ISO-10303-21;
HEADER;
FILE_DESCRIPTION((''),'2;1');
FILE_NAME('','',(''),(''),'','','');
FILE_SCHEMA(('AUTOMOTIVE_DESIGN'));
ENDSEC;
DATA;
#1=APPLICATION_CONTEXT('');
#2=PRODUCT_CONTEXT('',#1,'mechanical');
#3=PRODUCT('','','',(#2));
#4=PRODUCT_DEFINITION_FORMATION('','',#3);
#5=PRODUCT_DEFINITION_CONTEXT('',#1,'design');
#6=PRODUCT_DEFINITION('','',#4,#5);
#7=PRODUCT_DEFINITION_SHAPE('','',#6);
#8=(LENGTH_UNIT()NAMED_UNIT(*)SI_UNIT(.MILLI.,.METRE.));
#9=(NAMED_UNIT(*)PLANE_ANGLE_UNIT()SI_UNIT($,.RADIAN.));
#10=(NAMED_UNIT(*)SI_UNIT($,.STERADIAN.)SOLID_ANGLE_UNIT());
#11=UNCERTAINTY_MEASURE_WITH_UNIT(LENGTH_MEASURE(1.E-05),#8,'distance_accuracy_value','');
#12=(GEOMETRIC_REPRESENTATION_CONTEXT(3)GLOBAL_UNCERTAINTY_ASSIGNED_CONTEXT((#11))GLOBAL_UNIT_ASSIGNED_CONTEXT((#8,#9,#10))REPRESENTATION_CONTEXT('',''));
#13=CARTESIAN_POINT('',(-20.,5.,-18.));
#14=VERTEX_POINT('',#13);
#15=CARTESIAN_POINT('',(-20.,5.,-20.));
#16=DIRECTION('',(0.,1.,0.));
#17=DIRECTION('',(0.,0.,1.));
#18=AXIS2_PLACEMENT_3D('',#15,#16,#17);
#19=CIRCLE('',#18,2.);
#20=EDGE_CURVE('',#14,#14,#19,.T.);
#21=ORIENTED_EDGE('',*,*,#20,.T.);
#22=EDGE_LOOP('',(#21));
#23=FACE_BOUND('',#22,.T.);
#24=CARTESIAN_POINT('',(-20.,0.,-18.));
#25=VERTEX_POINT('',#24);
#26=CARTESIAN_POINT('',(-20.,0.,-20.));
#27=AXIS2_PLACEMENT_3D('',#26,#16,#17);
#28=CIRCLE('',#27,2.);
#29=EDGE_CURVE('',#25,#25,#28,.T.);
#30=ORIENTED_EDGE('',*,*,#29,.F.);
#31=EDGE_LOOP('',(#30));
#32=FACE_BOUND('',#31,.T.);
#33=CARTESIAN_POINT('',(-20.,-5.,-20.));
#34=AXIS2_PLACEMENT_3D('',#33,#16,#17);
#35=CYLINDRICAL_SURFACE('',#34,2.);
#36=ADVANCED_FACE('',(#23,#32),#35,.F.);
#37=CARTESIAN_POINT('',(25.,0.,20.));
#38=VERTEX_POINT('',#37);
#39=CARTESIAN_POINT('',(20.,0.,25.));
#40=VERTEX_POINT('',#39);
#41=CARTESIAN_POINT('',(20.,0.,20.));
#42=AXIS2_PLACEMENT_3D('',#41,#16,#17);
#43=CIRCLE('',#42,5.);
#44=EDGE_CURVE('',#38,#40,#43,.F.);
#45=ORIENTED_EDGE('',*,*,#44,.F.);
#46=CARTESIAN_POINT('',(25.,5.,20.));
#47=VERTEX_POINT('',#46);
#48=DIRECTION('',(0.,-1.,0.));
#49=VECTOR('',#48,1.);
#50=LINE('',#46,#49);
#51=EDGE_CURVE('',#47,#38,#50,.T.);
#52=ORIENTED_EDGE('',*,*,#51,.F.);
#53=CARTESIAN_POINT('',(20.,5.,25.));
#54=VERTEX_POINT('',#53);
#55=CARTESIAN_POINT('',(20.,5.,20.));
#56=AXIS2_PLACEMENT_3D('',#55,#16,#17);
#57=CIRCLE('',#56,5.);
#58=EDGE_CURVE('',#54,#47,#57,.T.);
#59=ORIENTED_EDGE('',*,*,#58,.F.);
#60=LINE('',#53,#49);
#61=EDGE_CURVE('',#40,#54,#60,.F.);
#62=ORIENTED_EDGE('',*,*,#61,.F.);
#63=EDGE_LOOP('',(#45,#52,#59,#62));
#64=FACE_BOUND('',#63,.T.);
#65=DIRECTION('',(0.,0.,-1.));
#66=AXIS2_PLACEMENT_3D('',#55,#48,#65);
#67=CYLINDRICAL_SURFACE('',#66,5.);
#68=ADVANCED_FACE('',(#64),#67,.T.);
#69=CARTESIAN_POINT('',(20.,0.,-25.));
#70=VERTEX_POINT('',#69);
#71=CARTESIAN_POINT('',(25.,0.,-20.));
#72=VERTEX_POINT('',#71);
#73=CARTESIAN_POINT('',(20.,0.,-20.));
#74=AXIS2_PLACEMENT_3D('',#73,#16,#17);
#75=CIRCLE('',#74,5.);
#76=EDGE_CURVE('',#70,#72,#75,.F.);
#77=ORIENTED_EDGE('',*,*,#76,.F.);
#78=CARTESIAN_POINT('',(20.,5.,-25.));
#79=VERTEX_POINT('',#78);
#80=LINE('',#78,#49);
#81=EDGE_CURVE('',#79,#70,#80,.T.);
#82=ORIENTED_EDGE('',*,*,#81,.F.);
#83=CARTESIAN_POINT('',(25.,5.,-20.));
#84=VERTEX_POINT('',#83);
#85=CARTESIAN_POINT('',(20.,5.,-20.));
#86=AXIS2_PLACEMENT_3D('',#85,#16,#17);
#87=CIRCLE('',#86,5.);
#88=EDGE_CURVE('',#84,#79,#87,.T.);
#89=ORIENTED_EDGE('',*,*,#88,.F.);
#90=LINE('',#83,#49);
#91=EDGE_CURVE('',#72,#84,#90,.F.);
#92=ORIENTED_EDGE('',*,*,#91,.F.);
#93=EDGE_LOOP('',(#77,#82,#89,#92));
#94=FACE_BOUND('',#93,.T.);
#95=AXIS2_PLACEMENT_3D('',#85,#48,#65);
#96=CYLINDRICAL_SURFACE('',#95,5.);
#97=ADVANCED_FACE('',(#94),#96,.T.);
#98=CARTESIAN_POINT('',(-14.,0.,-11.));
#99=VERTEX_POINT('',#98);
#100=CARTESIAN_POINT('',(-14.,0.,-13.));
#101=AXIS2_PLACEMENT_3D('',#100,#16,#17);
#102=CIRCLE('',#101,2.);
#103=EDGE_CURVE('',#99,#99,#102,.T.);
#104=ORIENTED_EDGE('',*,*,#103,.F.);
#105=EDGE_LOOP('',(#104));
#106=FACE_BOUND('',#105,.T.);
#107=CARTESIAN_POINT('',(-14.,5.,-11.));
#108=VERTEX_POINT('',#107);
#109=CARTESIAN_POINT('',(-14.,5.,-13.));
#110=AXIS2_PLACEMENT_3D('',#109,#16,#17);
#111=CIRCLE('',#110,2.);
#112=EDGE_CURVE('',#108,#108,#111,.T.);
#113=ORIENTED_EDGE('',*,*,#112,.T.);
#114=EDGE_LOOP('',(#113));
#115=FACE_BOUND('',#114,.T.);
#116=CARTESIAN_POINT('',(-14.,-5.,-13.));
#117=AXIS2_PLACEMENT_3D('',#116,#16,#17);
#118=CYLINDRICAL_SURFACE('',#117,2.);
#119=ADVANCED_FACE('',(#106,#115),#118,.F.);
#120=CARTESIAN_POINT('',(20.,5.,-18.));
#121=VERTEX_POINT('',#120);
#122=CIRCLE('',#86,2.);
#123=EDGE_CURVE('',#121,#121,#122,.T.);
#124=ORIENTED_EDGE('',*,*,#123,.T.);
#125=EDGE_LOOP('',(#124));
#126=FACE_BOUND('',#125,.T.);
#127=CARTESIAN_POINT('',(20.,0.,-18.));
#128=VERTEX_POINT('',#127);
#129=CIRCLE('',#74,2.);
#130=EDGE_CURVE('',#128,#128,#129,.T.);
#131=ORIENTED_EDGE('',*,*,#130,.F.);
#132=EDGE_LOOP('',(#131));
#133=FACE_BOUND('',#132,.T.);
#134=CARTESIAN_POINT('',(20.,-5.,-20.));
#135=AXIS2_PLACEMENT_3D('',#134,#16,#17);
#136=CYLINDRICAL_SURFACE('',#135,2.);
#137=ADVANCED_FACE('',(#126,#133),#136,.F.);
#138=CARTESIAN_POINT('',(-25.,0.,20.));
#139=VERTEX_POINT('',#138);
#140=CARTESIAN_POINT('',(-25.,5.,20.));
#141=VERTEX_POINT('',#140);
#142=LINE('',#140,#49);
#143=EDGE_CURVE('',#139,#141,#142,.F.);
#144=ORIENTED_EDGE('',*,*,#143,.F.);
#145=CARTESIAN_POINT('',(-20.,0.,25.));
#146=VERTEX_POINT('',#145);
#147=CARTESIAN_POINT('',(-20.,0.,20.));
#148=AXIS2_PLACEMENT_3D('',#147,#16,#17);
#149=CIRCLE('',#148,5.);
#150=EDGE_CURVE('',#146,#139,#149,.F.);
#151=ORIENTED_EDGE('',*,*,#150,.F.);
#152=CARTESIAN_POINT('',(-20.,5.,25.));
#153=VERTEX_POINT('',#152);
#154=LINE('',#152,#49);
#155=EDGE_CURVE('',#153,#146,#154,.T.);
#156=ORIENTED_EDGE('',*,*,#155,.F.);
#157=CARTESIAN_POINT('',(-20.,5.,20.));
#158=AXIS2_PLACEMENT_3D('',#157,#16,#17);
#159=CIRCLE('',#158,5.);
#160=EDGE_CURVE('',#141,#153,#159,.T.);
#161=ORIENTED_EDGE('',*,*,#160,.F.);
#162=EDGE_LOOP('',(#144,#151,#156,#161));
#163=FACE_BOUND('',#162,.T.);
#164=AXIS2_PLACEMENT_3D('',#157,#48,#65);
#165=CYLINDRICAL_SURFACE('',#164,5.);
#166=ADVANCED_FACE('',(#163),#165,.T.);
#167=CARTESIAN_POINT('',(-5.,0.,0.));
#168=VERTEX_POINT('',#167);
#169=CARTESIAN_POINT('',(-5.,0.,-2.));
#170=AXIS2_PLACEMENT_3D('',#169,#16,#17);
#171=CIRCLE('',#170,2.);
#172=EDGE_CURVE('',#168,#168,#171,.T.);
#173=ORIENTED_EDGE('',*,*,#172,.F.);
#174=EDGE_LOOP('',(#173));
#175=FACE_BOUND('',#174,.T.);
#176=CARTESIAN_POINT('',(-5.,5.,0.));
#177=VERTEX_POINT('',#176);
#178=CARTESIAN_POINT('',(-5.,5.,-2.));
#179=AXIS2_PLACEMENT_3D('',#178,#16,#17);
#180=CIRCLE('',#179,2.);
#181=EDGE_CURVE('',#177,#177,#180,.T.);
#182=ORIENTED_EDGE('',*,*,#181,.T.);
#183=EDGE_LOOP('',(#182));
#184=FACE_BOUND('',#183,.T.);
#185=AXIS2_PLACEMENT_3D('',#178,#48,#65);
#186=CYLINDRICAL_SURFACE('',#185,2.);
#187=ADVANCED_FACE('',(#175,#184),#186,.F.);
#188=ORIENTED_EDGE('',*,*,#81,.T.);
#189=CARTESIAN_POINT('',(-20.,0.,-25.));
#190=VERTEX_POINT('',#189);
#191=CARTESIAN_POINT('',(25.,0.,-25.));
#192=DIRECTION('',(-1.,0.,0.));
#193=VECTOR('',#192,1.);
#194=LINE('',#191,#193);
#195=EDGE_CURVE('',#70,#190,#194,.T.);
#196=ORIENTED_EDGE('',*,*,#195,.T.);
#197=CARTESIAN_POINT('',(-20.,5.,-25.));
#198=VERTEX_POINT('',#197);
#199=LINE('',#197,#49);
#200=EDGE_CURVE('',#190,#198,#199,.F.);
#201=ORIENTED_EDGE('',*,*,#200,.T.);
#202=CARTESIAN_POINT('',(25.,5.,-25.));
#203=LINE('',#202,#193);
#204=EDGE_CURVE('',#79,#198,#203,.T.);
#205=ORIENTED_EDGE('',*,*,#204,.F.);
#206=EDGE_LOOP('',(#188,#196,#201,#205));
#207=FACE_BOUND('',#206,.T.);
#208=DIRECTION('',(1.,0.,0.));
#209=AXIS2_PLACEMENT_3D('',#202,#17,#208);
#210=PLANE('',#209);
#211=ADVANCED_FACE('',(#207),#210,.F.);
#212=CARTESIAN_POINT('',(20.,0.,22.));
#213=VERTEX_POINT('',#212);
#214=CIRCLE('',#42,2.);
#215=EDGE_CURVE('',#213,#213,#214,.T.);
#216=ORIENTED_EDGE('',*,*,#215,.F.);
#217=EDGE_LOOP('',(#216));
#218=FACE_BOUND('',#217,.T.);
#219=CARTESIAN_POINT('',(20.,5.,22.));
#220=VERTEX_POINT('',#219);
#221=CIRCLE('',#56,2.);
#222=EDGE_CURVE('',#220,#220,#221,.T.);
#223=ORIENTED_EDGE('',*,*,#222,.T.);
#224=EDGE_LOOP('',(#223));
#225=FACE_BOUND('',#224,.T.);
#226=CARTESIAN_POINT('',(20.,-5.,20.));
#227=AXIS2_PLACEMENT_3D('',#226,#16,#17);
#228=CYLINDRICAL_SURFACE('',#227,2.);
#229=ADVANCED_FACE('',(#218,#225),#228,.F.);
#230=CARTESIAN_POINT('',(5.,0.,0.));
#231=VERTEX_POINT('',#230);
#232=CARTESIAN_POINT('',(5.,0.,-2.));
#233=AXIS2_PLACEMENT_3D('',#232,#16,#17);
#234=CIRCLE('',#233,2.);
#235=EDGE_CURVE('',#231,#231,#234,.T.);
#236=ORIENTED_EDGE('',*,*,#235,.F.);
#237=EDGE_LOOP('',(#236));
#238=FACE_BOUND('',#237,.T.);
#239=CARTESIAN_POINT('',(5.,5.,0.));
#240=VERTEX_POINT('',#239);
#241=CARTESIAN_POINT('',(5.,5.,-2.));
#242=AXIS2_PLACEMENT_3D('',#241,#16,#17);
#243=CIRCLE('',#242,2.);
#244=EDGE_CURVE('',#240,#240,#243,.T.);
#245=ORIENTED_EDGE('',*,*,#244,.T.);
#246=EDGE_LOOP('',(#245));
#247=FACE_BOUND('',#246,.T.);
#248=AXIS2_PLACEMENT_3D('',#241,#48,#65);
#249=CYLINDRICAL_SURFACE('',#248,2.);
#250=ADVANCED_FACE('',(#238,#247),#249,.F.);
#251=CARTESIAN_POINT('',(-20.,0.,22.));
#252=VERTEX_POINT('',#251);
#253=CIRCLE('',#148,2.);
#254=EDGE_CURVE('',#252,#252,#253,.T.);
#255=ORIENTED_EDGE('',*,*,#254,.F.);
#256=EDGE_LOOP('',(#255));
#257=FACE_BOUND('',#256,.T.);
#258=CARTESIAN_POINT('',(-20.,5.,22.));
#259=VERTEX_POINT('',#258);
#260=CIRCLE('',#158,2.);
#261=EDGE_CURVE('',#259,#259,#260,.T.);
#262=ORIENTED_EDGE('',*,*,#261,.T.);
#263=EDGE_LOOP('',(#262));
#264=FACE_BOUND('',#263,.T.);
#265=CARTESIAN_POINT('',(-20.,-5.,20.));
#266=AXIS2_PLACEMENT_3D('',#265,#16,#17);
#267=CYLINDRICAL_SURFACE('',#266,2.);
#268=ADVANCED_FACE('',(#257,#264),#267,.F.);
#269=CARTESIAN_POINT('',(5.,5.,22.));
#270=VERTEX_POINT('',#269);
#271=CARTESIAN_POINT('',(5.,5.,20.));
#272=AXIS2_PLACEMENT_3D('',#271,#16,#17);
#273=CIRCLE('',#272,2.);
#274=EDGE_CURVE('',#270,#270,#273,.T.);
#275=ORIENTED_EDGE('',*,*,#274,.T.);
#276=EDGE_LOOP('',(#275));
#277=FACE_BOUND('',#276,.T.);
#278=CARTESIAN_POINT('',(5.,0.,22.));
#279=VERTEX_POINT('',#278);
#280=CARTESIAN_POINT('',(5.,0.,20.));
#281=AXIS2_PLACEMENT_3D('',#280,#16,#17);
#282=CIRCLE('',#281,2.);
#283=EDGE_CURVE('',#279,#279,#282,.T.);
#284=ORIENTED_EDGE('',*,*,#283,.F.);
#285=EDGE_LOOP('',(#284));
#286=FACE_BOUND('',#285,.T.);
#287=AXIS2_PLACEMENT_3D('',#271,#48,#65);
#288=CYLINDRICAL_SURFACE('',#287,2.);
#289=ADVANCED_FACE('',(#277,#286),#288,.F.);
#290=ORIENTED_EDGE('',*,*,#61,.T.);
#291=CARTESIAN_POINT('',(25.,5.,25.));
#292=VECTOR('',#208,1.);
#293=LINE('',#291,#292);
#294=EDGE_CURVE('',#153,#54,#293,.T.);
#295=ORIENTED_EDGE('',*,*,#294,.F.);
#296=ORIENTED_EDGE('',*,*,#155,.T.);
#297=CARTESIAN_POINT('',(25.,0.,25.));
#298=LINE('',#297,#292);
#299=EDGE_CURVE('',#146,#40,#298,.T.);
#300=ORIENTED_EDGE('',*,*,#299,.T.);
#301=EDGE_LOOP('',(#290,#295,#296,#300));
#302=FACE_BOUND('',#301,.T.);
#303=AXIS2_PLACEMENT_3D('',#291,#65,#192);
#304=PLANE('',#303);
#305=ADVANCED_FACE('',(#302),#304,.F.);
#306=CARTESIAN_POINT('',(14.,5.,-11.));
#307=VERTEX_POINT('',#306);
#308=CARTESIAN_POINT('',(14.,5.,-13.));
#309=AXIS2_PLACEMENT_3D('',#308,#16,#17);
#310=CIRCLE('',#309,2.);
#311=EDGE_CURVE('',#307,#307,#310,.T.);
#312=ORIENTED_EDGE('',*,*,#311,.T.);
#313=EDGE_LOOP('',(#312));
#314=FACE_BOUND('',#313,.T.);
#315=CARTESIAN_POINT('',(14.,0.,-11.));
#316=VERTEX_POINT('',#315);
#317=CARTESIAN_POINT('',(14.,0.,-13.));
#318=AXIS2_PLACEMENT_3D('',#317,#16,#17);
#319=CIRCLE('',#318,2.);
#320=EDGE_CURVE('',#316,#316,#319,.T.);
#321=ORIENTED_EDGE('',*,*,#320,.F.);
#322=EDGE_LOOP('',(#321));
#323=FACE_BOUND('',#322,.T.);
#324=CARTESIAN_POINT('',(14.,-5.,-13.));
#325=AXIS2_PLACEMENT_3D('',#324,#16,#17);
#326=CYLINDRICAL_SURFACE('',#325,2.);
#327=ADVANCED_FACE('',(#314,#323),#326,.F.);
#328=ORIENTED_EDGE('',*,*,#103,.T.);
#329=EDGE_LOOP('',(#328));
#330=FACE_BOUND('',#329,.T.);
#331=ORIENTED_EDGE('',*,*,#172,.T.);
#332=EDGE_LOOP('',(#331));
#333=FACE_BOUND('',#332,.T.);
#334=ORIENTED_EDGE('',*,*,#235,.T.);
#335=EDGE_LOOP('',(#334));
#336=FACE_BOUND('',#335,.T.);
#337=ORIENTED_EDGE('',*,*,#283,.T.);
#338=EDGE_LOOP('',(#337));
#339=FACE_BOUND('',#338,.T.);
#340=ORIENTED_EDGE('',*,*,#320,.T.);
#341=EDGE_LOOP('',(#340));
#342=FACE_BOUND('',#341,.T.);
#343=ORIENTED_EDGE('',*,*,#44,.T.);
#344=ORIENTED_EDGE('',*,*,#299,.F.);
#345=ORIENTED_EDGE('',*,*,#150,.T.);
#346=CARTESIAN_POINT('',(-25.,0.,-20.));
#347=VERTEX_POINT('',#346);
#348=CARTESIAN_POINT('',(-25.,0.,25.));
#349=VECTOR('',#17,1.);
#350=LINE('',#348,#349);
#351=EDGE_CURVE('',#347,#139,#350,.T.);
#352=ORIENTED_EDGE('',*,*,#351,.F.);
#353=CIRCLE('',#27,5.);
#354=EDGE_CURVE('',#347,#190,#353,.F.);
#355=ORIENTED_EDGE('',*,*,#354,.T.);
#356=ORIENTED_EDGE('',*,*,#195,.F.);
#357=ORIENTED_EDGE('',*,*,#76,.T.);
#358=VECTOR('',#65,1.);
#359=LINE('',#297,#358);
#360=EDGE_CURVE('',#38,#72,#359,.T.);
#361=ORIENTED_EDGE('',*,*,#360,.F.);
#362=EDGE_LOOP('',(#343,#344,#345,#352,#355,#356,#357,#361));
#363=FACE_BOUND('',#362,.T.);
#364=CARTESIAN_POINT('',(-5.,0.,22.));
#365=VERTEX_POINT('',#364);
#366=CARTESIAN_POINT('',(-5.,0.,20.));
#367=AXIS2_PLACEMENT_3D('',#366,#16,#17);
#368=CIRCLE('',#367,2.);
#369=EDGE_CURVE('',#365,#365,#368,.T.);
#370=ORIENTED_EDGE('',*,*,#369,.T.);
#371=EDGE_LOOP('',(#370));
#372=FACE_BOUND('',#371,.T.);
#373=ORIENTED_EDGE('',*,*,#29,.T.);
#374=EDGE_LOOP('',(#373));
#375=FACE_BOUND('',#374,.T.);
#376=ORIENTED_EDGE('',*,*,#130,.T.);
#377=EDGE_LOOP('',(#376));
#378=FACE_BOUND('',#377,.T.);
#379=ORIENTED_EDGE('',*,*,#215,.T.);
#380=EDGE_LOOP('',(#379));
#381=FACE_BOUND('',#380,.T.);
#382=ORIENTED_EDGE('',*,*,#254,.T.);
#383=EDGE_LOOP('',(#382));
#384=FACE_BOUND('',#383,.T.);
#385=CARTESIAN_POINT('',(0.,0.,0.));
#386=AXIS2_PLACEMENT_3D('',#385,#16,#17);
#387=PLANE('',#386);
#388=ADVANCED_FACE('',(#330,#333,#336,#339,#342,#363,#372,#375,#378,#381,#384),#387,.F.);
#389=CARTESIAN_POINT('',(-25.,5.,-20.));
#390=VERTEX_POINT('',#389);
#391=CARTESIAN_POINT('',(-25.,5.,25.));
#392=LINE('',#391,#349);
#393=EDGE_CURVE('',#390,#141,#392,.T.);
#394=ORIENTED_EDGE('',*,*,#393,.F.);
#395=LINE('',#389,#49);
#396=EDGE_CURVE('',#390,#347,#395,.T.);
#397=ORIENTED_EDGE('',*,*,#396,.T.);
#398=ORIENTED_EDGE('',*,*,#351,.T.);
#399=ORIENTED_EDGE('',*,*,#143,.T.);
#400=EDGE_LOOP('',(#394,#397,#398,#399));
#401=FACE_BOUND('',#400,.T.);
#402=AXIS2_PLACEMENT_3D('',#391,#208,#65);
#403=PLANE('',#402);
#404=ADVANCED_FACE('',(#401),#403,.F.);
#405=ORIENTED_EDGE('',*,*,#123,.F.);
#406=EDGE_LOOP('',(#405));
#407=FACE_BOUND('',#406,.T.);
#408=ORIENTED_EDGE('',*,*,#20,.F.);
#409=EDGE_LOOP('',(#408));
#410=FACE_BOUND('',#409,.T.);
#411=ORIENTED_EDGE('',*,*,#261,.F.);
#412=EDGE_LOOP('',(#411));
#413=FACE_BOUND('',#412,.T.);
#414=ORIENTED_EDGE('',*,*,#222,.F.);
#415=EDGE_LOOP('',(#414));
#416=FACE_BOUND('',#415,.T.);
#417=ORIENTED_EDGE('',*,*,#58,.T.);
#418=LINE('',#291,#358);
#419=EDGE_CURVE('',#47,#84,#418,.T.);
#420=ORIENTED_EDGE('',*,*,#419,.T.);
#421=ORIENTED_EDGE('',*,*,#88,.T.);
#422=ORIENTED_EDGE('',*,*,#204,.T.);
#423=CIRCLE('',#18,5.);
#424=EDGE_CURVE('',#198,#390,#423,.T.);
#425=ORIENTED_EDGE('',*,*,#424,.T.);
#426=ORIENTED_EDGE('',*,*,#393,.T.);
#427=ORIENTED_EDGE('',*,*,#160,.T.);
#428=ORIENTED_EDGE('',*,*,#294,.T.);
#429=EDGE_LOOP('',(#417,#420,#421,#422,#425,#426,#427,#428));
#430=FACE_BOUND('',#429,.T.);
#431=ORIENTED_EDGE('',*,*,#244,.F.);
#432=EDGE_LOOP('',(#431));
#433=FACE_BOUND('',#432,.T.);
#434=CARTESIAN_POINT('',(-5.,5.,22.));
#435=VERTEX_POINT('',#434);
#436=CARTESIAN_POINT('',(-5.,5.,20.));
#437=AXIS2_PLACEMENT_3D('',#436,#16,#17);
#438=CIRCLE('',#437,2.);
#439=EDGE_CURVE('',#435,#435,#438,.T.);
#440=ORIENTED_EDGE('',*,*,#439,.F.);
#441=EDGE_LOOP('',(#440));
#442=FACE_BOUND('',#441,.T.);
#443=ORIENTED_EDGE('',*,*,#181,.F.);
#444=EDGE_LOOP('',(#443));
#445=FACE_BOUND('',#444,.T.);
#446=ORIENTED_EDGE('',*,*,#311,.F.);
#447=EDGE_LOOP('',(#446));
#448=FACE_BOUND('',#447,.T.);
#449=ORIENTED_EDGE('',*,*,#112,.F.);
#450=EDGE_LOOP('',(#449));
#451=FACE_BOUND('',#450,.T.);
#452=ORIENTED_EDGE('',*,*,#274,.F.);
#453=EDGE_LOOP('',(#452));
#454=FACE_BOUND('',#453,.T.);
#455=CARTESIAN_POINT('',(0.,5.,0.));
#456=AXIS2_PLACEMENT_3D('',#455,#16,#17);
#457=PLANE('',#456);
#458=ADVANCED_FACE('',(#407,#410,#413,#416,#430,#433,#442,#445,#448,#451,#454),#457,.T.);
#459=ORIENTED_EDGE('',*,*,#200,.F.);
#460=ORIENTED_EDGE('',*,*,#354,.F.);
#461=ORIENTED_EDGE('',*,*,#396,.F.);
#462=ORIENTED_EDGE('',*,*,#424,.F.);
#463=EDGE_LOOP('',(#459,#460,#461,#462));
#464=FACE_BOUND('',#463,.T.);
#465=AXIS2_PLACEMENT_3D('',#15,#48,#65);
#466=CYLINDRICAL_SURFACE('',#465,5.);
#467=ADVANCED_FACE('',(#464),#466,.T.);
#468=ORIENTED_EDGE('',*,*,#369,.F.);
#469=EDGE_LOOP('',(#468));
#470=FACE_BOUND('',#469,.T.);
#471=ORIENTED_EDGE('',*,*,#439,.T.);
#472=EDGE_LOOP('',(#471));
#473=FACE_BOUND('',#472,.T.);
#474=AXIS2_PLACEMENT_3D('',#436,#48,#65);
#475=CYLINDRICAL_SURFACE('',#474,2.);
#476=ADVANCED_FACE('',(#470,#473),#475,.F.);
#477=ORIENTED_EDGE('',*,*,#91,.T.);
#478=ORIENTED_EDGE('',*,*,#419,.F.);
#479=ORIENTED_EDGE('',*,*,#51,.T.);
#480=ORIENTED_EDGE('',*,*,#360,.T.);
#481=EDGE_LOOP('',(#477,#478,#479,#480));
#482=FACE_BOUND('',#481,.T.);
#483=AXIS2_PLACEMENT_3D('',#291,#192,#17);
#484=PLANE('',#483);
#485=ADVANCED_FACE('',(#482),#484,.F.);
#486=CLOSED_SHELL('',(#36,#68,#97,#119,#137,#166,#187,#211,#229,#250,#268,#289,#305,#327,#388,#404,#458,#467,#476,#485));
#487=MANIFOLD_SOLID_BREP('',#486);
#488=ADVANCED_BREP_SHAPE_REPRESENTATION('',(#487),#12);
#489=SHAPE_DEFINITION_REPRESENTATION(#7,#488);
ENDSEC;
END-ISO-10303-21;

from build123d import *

# Parameters (mm, degrees)
ESQUISSE1_W             = 50
ESQUISSE1_H             = 50
ESQUISSE1_R             = 2
BOSS_EXTRU_1_DEPTH      = 5
CONG_1_R                = 5
ESQUISSE2_R             = 2
ENL_V_MAT_EXTRU_1_DEPTH = 10


with BuildPart() as part:
    # Esquisse1 → Boss.-Extru.1 (new body)
    with BuildSketch(Plane(origin=(0, 0, 0), x_dir=(1, 0, 0), z_dir=(0, 1, 0))):
        Rectangle(ESQUISSE1_W, ESQUISSE1_H)
        with Locations(Location((-5, -20, 0), (0, 0, 270))):
            Circle(ESQUISSE1_R, mode=Mode.SUBTRACT)
        with Locations(Location((5, -20, 0), (0, 0, 270))):
            Circle(ESQUISSE1_R, mode=Mode.SUBTRACT)
        with Locations(Location((-5, 2, 0), (0, 0, 270))):
            Circle(ESQUISSE1_R, mode=Mode.SUBTRACT)
        with Locations(Location((5, 2, 0), (0, 0, 270))):
            Circle(ESQUISSE1_R, mode=Mode.SUBTRACT)
    extrude(amount=BOSS_EXTRU_1_DEPTH)

    # Congé1
    cong_1_edges = [part.edges().sort_by_distance(p)[0] for p in [
        (-25, 2.5, -25),
        (25, 2.5, -25),
        (25, 2.5, 25),
        (-25, 2.5, 25),
    ]]
    fillet(cong_1_edges, radius=CONG_1_R)

    # Esquisse2 → Enlèv. mat.-Extru.1 (cut)
    with BuildSketch(Plane(origin=(0, 5, 0), x_dir=(1, 0, 0), z_dir=(0, 1, 0))):
        with Locations(Location((-20, 20, 0), (0, 0, 270))):
            Circle(ESQUISSE2_R)
        with Locations(Location((-20, -20, 0), (0, 0, 270))):
            Circle(ESQUISSE2_R)
        with Locations(Location((20, -20, 0), (0, 0, 270))):
            Circle(ESQUISSE2_R)
        with Locations(Location((20, 20, 0), (0, 0, 270))):
            Circle(ESQUISSE2_R)
        with Locations(Location((-14, 13, 0), (0, 0, 270))):
            Circle(ESQUISSE2_R)
        with Locations(Location((14, 13, 0), (0, 0, 270))):
            Circle(ESQUISSE2_R)
    extrude(amount=-ENL_V_MAT_EXTRU_1_DEPTH, mode=Mode.SUBTRACT)


solid = part.part
